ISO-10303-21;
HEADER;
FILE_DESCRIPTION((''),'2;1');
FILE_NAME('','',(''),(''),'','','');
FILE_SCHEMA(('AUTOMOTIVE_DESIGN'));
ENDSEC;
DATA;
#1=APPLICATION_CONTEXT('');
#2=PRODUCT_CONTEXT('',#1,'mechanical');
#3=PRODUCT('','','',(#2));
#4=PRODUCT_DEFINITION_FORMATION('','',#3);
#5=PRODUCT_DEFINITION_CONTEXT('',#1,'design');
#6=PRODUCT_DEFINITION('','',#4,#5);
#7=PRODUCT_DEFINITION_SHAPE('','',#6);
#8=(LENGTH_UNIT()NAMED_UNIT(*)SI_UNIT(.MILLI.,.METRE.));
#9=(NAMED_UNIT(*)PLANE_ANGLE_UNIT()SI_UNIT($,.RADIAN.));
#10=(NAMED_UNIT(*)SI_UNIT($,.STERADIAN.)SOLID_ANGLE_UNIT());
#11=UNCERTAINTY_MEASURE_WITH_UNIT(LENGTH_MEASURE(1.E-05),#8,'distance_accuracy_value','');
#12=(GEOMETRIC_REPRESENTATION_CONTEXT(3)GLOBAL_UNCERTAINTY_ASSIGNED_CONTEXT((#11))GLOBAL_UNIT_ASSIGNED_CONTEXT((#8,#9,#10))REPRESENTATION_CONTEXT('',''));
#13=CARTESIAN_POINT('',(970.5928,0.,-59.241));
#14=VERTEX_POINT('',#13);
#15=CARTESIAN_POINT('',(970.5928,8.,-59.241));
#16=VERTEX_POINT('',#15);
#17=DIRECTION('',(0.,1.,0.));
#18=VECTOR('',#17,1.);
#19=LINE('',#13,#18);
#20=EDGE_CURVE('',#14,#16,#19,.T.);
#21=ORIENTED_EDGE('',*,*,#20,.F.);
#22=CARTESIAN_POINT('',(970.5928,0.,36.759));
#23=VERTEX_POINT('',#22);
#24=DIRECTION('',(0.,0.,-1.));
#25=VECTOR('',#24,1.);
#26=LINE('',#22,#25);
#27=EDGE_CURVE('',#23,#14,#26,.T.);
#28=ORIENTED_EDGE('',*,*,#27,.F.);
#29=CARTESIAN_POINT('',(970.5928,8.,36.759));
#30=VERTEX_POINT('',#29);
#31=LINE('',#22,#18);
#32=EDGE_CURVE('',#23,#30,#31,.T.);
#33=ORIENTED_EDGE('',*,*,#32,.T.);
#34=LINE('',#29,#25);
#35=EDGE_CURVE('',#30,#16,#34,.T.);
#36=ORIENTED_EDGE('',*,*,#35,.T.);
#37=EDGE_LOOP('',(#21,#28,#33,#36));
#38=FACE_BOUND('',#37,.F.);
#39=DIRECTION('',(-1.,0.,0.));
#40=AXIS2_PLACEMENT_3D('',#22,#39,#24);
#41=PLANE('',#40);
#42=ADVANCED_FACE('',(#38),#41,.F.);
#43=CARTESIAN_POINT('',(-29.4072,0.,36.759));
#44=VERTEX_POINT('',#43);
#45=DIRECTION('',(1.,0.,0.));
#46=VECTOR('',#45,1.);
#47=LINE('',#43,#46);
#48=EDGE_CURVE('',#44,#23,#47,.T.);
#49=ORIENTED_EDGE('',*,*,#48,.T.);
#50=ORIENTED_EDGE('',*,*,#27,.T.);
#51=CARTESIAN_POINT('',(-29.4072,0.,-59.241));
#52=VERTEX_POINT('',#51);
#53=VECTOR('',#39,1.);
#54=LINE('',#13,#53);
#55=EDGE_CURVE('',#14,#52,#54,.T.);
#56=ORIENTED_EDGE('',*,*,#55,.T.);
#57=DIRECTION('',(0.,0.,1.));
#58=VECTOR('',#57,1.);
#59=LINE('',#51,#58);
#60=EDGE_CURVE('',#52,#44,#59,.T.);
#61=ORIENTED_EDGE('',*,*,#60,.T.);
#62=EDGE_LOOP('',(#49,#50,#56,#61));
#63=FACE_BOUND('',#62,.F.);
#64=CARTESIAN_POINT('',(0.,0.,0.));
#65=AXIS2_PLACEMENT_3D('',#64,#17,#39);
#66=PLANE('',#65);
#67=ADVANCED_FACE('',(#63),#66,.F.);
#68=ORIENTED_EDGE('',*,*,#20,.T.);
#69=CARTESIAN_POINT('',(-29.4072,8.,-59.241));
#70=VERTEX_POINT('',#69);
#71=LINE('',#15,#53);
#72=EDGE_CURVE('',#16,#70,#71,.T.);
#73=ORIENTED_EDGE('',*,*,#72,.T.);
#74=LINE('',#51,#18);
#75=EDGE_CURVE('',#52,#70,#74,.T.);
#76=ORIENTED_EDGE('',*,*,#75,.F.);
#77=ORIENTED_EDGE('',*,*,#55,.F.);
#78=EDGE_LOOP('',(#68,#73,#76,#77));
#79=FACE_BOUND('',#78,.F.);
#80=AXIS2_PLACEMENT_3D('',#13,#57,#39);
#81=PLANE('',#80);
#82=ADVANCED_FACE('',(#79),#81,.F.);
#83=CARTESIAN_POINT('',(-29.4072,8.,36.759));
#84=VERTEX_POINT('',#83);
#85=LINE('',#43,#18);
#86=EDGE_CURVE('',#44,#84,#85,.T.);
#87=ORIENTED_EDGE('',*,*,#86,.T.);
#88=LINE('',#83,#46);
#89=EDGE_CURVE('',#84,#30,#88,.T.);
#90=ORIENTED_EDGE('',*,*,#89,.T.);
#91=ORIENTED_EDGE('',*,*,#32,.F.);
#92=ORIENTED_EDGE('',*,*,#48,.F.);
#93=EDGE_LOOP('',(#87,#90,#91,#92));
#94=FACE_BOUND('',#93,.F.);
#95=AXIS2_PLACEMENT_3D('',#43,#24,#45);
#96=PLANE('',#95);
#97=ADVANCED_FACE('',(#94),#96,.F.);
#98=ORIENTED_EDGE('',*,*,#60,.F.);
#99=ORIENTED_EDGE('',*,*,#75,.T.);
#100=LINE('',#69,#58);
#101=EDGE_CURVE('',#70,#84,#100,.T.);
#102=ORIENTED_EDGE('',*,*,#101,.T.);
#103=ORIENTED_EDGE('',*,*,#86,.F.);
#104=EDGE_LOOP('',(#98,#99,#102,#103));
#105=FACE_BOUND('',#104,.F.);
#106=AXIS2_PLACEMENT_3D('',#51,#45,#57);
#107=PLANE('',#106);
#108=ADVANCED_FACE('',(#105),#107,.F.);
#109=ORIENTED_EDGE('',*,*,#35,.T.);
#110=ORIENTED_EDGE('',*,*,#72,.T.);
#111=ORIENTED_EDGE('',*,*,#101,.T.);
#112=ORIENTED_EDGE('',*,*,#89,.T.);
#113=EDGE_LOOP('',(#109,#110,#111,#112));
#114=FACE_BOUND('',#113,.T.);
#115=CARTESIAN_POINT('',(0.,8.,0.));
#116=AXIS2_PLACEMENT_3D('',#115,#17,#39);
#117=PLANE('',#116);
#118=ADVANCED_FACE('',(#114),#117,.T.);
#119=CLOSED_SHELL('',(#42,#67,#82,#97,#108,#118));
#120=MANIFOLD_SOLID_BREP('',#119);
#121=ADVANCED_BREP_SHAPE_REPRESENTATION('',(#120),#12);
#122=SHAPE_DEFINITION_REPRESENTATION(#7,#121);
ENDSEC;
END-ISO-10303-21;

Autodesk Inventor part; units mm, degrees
ref_plane "YZ Plane" through (0, 0, 0) normal (1, 0, 0) x (0, 1, 0)
ref_plane "XZ Plane" through (0, 0, 0) normal (0, 1, 0) x (-1, 0, 0)
ref_plane "XY Plane" through (0, 0, 0) normal (0, 0, 1) x (1, 0, 0)
sketch "Эскиз1" plane through (0, 0, 0) normal (0, 1, 0) x (-1, 0, 0)
  line L0 (29.4072, 36.759) -> (-970.5928, 36.759)
  line L1 (-970.5928, 36.759) -> (-970.5928, -59.241)
  line L2 (-970.5928, -59.241) -> (29.4072, -59.241)
  line L3 (29.4072, -59.241) -> (29.4072, 36.759)
  point P0 (0, 0)
  dimension "d0" = 96
  dimension "d1" = 1000
extrude "Выдавливание1" add sketch "Эскиз1" along normal blind 8
properties part number "Plate8_80_1000"
